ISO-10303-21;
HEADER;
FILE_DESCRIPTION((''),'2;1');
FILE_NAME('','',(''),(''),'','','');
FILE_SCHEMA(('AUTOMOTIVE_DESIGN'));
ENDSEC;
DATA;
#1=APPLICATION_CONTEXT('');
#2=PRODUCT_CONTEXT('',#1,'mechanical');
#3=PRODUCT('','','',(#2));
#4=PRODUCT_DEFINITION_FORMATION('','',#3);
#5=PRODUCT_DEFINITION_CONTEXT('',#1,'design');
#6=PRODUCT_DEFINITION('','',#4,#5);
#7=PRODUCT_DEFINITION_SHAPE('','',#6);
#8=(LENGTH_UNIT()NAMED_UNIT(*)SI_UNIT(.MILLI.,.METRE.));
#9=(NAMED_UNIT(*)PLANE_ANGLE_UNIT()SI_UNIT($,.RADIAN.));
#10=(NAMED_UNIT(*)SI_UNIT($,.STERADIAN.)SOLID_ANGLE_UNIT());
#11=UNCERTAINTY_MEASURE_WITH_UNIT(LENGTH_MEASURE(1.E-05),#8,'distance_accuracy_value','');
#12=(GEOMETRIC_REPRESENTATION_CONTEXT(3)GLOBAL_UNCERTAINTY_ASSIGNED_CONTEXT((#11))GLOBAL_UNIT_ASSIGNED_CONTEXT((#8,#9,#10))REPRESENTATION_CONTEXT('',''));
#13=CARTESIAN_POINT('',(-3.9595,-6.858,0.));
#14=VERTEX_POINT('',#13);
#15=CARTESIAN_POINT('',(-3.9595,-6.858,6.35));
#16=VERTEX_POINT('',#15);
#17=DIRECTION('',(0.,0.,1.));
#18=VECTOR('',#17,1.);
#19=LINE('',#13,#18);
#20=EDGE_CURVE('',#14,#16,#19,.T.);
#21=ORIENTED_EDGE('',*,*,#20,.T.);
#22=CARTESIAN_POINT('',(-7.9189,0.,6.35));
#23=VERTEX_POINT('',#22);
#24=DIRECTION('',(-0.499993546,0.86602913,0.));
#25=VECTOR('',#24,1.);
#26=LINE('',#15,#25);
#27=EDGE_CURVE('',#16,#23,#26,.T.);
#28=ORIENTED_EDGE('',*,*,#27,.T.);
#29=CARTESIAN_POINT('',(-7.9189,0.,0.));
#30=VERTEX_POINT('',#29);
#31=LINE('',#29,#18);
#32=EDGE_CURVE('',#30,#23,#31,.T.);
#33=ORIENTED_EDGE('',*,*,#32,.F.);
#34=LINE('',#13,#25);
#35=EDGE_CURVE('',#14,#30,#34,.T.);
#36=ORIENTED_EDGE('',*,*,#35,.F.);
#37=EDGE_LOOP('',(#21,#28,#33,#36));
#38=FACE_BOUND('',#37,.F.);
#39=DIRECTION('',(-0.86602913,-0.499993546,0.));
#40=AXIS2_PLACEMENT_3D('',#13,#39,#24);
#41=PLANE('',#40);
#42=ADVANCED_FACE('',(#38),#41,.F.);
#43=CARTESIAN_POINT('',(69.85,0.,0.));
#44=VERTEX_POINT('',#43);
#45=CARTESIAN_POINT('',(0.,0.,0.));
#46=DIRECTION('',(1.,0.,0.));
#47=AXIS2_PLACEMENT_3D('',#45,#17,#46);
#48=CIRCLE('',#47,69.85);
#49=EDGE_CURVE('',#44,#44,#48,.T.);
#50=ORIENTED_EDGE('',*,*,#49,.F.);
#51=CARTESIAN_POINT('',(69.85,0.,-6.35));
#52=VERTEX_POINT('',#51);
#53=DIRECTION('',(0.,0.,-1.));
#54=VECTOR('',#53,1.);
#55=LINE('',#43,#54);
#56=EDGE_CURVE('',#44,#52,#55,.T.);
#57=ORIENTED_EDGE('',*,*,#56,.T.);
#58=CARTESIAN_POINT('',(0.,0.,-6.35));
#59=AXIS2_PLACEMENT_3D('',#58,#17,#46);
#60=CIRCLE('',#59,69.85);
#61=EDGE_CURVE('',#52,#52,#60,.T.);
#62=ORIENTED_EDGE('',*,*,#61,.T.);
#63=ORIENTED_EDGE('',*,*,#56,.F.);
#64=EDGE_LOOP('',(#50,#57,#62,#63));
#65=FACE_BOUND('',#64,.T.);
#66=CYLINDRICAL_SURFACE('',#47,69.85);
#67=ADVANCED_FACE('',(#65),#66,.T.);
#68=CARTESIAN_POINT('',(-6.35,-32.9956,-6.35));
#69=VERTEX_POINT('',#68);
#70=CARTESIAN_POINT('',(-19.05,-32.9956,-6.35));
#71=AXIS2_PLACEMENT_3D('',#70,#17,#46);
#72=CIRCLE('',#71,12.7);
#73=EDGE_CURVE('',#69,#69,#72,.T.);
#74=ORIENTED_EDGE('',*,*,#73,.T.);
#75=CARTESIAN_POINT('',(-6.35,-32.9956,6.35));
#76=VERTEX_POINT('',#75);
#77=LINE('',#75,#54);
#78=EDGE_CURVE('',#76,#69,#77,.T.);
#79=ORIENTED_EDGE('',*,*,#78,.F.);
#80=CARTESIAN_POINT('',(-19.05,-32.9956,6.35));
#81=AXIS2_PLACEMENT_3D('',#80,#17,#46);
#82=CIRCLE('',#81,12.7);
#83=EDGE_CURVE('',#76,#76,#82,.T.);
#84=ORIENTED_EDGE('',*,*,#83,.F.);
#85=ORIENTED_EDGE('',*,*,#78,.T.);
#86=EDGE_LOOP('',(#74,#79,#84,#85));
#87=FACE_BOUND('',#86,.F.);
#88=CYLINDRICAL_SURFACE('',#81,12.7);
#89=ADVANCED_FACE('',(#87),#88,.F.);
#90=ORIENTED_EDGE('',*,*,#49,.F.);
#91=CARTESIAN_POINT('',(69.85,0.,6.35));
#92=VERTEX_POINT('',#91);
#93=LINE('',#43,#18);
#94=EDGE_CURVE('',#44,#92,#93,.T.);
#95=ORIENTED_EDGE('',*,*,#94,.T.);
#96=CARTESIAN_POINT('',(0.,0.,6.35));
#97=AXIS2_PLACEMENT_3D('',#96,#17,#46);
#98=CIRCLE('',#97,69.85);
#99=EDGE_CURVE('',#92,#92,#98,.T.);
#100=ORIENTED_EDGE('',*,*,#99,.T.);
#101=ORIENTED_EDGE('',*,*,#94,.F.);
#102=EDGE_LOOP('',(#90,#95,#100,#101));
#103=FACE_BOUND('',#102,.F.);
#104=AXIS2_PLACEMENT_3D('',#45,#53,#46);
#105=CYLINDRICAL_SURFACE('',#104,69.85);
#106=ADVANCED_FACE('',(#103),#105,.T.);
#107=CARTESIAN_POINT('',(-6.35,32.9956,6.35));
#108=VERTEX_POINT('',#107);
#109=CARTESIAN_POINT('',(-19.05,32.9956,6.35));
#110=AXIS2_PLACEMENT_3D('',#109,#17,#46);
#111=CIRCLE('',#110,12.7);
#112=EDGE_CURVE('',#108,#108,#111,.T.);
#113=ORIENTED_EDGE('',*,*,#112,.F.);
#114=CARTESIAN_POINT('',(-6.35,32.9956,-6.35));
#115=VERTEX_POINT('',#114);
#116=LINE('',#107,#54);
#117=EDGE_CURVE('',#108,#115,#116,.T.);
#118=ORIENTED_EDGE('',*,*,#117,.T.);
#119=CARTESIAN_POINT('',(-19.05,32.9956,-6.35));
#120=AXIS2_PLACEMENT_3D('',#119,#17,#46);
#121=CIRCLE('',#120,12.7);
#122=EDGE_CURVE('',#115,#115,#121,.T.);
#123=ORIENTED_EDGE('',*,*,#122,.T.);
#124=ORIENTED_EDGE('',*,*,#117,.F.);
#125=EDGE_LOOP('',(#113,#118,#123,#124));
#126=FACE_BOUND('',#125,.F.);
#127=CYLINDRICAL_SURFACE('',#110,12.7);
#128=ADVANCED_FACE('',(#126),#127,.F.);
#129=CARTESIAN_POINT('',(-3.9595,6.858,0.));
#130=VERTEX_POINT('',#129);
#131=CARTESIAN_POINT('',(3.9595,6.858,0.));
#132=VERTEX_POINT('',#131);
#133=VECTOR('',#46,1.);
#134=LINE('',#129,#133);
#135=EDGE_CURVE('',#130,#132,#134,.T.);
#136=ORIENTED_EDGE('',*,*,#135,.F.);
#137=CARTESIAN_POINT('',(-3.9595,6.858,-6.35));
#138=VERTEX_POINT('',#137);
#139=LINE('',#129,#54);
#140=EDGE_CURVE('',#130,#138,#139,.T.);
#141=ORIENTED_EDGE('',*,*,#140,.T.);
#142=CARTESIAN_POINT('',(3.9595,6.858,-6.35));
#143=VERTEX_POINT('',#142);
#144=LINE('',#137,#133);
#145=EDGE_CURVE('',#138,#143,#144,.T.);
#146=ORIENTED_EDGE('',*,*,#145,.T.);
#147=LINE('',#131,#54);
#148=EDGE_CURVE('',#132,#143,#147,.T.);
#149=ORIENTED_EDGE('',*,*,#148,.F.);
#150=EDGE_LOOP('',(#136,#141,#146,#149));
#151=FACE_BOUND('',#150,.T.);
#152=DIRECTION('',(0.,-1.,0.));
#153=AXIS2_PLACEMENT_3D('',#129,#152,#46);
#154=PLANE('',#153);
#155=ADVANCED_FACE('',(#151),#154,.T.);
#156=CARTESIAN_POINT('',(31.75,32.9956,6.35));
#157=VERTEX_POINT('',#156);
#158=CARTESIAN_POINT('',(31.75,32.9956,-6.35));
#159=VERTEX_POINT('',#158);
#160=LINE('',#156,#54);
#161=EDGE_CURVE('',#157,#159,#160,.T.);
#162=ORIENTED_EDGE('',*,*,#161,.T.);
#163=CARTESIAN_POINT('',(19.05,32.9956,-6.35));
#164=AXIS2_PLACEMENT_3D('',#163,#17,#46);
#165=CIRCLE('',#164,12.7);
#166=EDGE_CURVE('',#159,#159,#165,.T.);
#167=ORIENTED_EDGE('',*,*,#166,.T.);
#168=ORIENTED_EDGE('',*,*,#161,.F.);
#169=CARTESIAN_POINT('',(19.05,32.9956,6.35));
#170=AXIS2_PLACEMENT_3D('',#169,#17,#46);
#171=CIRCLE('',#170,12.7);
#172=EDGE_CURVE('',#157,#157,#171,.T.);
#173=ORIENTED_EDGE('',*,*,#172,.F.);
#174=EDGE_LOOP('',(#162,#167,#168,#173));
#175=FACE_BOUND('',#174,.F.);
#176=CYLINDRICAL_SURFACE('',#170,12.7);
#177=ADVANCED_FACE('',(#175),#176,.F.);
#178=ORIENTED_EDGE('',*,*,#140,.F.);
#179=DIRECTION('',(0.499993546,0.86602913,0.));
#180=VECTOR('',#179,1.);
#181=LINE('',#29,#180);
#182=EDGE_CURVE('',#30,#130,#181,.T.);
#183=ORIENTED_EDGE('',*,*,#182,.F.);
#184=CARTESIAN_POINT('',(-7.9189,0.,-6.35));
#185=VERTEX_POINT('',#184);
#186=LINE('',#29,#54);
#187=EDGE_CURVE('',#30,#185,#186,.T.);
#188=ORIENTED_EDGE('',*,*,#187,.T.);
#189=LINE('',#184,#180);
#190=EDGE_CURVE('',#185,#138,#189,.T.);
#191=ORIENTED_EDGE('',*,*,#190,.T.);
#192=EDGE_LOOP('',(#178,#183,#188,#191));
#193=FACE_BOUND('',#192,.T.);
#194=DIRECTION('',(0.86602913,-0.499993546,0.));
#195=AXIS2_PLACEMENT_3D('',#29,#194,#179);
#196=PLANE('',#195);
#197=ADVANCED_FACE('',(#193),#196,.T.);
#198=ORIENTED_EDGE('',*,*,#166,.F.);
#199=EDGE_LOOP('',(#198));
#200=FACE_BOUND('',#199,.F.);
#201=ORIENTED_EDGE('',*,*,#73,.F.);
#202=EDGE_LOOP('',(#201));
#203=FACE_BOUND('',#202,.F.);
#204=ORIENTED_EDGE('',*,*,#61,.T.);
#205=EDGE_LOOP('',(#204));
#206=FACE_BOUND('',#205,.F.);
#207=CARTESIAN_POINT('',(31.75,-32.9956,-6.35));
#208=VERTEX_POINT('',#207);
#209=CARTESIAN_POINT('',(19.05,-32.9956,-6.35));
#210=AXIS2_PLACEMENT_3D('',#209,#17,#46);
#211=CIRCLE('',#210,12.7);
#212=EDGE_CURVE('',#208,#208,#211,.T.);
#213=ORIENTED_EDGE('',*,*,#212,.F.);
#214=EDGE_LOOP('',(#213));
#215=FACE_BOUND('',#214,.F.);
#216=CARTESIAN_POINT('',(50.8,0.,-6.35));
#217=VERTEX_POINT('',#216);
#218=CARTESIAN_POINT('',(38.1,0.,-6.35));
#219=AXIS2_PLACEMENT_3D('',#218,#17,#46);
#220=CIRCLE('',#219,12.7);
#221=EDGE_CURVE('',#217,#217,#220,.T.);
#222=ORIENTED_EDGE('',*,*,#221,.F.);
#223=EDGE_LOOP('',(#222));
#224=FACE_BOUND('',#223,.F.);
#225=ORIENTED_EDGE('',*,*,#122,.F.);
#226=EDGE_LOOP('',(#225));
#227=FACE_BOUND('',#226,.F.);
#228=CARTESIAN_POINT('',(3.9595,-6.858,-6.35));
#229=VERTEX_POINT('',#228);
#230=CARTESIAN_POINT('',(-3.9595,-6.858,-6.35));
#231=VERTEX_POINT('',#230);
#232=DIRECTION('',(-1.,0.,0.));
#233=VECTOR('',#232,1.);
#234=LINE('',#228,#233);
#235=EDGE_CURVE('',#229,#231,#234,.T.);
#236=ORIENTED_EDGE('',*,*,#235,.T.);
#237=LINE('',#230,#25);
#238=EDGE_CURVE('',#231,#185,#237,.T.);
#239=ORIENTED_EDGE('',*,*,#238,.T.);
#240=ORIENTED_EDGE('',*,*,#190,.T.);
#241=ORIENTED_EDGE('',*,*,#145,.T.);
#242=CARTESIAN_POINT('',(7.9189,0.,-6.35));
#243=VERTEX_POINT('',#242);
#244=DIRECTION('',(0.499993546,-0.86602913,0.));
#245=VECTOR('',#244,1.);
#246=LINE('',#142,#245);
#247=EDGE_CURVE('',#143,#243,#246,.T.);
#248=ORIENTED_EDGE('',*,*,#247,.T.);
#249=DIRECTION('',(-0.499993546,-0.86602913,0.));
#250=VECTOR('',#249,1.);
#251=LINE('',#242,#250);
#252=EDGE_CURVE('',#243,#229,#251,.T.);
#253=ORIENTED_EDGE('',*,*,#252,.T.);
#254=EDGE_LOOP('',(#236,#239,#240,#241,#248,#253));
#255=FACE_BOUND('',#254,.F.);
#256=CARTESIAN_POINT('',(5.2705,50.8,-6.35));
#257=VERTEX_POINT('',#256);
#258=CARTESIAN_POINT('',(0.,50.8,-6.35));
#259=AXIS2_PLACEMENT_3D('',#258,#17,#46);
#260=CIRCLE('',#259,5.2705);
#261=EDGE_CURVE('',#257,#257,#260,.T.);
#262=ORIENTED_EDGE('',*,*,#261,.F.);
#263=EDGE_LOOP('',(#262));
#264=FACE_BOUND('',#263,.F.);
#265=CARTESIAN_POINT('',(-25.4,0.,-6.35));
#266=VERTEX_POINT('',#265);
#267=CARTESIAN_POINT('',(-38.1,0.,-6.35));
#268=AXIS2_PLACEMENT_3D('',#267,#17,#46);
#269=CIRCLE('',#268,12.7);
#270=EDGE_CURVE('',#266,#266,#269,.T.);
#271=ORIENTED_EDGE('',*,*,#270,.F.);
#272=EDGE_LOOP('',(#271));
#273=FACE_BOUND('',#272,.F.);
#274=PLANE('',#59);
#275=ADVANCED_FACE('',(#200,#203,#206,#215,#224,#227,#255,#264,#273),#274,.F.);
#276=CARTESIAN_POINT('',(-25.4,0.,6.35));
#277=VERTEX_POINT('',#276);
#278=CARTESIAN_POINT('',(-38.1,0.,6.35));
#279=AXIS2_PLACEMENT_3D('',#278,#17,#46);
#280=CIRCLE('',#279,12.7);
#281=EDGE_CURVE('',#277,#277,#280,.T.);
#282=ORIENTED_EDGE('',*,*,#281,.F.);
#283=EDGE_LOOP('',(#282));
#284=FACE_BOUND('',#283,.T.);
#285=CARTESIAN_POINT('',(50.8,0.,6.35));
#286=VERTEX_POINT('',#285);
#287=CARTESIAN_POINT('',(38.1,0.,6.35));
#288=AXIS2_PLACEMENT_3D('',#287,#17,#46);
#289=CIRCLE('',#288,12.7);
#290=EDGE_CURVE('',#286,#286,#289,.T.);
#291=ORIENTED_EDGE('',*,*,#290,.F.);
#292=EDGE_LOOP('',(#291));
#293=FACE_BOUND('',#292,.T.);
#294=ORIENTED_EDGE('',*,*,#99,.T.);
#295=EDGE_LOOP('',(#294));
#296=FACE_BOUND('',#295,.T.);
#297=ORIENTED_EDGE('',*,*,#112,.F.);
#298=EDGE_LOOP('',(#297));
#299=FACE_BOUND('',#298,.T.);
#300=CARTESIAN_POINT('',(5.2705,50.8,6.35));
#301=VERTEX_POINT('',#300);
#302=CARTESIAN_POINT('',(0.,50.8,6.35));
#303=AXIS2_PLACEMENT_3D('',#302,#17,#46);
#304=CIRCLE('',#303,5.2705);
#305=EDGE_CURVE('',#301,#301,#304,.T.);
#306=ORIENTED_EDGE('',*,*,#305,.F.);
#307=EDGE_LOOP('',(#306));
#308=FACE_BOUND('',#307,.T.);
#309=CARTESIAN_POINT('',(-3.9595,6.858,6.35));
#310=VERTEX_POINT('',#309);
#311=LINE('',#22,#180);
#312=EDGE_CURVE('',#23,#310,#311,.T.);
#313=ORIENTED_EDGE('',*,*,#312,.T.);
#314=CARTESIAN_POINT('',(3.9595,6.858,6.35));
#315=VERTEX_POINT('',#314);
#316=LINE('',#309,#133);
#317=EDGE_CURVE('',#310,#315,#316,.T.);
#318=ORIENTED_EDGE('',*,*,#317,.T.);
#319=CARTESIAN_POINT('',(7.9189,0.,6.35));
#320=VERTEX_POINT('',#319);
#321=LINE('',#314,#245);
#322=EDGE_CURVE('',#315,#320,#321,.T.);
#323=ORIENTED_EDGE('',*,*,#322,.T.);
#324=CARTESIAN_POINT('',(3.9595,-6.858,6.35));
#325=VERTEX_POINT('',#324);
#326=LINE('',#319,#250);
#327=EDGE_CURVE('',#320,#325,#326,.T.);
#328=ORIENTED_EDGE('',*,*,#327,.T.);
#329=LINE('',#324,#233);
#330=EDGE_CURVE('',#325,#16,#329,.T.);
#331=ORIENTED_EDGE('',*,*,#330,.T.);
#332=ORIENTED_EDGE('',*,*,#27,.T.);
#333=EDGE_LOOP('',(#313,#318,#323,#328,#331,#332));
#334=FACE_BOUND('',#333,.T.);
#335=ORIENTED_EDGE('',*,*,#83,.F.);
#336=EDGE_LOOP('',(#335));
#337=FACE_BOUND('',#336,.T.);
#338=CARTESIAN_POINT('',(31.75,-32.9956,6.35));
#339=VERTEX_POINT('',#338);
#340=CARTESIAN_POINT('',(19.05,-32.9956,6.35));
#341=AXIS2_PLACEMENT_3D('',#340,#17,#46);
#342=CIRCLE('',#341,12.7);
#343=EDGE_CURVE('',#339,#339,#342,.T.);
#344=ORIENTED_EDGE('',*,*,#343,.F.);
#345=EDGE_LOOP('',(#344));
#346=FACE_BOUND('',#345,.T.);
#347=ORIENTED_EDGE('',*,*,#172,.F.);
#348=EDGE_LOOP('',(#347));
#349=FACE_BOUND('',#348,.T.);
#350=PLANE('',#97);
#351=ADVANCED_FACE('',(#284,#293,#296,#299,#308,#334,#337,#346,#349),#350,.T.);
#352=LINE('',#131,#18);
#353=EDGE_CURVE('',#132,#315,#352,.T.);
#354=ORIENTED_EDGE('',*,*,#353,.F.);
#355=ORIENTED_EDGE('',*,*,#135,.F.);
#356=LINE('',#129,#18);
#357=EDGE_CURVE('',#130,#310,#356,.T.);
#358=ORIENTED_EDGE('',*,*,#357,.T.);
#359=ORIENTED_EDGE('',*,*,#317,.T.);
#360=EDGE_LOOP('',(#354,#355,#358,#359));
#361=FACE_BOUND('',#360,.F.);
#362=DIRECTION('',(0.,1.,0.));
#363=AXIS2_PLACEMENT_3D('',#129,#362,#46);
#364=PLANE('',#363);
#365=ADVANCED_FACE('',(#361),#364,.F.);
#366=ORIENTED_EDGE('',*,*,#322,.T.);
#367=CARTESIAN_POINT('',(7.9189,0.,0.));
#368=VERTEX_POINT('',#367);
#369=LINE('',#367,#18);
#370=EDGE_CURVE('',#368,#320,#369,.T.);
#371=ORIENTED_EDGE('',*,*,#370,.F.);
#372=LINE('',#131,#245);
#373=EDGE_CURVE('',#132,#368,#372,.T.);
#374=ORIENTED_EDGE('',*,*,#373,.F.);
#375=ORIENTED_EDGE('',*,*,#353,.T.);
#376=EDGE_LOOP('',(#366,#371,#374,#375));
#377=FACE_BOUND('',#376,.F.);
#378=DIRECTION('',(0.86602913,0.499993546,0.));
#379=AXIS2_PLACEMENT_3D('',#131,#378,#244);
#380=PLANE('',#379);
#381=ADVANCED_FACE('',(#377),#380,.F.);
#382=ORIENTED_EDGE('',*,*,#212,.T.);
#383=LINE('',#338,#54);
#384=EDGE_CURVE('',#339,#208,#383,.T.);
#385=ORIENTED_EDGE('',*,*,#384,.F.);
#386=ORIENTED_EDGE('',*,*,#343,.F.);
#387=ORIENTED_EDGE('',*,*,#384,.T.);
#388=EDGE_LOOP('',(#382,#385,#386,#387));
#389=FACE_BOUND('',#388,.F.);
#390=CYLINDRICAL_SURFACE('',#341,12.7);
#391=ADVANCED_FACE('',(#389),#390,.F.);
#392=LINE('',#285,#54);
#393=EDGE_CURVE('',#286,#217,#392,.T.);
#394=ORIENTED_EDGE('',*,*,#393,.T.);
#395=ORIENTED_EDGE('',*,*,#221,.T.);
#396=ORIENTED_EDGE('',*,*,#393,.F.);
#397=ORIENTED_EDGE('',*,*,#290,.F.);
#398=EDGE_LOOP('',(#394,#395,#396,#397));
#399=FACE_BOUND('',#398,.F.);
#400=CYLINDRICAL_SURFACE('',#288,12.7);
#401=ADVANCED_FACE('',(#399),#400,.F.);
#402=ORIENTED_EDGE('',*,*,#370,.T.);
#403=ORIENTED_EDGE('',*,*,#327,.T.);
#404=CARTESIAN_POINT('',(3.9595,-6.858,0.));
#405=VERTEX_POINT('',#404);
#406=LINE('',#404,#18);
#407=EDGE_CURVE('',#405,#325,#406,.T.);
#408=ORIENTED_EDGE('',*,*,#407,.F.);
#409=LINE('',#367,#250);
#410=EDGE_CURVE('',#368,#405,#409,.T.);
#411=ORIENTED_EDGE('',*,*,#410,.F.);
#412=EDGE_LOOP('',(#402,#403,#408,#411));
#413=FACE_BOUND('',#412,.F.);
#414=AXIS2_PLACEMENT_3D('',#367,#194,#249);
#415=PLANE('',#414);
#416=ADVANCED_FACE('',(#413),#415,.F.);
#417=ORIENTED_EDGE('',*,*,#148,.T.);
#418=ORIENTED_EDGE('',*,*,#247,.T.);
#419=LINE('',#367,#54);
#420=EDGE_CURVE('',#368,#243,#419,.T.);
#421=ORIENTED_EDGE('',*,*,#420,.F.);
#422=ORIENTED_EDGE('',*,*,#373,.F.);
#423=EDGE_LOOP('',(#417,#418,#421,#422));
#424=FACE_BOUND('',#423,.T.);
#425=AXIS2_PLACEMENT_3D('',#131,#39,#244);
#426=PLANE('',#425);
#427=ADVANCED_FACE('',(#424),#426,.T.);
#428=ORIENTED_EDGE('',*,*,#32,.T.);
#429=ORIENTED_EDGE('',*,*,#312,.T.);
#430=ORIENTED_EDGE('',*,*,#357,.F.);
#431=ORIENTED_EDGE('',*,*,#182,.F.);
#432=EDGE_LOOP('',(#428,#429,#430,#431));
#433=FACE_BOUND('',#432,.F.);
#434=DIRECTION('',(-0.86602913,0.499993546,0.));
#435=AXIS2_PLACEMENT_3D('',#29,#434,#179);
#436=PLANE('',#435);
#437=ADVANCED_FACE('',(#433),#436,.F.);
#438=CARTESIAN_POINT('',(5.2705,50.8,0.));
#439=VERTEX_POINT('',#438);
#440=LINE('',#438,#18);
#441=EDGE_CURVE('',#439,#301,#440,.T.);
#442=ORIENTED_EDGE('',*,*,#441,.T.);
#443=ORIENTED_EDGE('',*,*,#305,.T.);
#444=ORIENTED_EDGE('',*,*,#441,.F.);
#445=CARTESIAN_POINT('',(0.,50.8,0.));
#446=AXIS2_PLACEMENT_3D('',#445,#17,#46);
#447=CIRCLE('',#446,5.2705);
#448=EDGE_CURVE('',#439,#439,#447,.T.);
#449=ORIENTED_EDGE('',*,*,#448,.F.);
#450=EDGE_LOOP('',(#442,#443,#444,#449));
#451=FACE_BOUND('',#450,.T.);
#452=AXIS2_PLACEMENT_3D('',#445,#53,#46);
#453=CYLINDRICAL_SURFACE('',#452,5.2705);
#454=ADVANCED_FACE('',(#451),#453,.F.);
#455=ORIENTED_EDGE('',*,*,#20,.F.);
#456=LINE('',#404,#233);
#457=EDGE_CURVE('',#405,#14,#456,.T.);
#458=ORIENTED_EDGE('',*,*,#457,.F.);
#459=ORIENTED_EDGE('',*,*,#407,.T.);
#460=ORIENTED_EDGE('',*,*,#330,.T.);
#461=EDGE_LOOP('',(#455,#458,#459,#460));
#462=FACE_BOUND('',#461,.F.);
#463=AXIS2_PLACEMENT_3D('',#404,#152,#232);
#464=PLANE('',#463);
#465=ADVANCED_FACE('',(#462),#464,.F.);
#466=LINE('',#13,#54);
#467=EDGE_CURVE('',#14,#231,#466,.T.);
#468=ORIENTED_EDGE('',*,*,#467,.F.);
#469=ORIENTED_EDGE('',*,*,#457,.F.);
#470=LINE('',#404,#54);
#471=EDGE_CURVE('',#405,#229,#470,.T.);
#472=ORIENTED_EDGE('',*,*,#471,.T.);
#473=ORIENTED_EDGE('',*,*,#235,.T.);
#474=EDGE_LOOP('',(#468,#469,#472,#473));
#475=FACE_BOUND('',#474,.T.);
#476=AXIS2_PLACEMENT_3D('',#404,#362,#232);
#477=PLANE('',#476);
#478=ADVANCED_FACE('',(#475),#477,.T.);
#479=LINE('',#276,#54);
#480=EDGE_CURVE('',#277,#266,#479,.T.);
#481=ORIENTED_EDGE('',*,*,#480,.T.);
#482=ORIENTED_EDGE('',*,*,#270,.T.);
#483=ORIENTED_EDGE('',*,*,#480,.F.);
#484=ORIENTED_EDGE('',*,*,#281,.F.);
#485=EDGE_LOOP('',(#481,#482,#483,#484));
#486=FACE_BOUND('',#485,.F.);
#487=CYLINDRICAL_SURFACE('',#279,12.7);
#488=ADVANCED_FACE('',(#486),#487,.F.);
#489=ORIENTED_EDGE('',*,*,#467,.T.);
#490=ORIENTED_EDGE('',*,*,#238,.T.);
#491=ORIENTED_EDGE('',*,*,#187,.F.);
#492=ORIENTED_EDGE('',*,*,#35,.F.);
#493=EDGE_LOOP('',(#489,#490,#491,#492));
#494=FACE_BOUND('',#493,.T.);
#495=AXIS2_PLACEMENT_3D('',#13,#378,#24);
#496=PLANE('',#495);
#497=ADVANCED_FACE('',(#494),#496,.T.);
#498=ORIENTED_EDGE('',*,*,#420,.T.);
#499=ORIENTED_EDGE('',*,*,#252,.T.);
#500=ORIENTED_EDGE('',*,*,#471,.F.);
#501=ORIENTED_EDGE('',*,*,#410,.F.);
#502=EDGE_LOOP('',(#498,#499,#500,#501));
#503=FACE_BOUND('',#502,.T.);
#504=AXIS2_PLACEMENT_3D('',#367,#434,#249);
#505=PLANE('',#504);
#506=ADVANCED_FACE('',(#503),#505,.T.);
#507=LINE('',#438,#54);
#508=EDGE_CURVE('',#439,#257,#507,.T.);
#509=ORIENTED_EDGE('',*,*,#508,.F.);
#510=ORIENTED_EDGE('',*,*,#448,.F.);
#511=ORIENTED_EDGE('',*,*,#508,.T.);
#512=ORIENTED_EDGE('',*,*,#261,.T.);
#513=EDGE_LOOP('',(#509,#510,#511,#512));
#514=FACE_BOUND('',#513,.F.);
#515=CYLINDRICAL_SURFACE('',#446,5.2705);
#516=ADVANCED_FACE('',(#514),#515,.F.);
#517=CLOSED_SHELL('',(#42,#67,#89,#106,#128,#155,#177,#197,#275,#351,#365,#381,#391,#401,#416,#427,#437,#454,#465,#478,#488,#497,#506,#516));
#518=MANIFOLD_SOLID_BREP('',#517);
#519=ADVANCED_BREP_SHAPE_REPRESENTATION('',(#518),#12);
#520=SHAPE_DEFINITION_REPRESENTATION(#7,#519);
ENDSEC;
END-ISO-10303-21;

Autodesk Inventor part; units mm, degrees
ref_plane "YZ Plane" through (0, 0, 0) normal (1, 0, 0) x (0, 1, 0)
ref_plane "XZ Plane" through (0, 0, 0) normal (0, 1, 0) x (-1, 0, 0)
ref_plane "XY Plane" through (0, 0, 0) normal (0, 0, 1) x (1, 0, 0)
sketch "Sketch1" plane through (0, 0, 0) normal (0, 0, 1) x (1, 0, 0)
  circle A0 centre (0, 0) radius 69.85
  line L0 (7.9189, 0) -> (3.9595, -6.858)
  line L1 (3.9595, -6.858) -> (-3.9595, -6.858)
  line L2 (-3.9595, -6.858) -> (-7.9189, 0)
  line L3 (-7.9189, 0) -> (-3.9595, 6.858)
  line L4 (-3.9595, 6.858) -> (3.9595, 6.858)
  line L5 (3.9595, 6.858) -> (7.9189, 0)
  circle A1 centre (0, 50.8) radius 5.2705
  dimension "d0" = 139.7
  dimension "d1" = 13.716
  dimension "d2" = 10.541
  dimension "d5" = 50.8
extrude "Extrusion1" add sketch "Sketch1" along normal mid plane 12.7
sketch "Sketch2" plane through (0, 0, 6.35) normal (0, 0, 1) x (1, 0, 0)
  circle A0 centre (-38.1, 0) radius 12.7
  circle A1 centre (-19.05, -32.9956) radius 12.7
  circle A2 centre (19.05, -32.9956) radius 12.7
  circle A3 centre (38.1, 0) radius 12.7
  circle A4 centre (19.05, 32.9956) radius 12.7
  circle A5 centre (-19.05, 32.9956) radius 12.7
  point P0 (0, 0)
  dimension "d6" = 25.4
  dimension "d7" = 38.1
  dimension "d10" = 360
extrude "Extrusion2" cut sketch "Sketch2" against normal through all
properties part number "driveForPiston"
